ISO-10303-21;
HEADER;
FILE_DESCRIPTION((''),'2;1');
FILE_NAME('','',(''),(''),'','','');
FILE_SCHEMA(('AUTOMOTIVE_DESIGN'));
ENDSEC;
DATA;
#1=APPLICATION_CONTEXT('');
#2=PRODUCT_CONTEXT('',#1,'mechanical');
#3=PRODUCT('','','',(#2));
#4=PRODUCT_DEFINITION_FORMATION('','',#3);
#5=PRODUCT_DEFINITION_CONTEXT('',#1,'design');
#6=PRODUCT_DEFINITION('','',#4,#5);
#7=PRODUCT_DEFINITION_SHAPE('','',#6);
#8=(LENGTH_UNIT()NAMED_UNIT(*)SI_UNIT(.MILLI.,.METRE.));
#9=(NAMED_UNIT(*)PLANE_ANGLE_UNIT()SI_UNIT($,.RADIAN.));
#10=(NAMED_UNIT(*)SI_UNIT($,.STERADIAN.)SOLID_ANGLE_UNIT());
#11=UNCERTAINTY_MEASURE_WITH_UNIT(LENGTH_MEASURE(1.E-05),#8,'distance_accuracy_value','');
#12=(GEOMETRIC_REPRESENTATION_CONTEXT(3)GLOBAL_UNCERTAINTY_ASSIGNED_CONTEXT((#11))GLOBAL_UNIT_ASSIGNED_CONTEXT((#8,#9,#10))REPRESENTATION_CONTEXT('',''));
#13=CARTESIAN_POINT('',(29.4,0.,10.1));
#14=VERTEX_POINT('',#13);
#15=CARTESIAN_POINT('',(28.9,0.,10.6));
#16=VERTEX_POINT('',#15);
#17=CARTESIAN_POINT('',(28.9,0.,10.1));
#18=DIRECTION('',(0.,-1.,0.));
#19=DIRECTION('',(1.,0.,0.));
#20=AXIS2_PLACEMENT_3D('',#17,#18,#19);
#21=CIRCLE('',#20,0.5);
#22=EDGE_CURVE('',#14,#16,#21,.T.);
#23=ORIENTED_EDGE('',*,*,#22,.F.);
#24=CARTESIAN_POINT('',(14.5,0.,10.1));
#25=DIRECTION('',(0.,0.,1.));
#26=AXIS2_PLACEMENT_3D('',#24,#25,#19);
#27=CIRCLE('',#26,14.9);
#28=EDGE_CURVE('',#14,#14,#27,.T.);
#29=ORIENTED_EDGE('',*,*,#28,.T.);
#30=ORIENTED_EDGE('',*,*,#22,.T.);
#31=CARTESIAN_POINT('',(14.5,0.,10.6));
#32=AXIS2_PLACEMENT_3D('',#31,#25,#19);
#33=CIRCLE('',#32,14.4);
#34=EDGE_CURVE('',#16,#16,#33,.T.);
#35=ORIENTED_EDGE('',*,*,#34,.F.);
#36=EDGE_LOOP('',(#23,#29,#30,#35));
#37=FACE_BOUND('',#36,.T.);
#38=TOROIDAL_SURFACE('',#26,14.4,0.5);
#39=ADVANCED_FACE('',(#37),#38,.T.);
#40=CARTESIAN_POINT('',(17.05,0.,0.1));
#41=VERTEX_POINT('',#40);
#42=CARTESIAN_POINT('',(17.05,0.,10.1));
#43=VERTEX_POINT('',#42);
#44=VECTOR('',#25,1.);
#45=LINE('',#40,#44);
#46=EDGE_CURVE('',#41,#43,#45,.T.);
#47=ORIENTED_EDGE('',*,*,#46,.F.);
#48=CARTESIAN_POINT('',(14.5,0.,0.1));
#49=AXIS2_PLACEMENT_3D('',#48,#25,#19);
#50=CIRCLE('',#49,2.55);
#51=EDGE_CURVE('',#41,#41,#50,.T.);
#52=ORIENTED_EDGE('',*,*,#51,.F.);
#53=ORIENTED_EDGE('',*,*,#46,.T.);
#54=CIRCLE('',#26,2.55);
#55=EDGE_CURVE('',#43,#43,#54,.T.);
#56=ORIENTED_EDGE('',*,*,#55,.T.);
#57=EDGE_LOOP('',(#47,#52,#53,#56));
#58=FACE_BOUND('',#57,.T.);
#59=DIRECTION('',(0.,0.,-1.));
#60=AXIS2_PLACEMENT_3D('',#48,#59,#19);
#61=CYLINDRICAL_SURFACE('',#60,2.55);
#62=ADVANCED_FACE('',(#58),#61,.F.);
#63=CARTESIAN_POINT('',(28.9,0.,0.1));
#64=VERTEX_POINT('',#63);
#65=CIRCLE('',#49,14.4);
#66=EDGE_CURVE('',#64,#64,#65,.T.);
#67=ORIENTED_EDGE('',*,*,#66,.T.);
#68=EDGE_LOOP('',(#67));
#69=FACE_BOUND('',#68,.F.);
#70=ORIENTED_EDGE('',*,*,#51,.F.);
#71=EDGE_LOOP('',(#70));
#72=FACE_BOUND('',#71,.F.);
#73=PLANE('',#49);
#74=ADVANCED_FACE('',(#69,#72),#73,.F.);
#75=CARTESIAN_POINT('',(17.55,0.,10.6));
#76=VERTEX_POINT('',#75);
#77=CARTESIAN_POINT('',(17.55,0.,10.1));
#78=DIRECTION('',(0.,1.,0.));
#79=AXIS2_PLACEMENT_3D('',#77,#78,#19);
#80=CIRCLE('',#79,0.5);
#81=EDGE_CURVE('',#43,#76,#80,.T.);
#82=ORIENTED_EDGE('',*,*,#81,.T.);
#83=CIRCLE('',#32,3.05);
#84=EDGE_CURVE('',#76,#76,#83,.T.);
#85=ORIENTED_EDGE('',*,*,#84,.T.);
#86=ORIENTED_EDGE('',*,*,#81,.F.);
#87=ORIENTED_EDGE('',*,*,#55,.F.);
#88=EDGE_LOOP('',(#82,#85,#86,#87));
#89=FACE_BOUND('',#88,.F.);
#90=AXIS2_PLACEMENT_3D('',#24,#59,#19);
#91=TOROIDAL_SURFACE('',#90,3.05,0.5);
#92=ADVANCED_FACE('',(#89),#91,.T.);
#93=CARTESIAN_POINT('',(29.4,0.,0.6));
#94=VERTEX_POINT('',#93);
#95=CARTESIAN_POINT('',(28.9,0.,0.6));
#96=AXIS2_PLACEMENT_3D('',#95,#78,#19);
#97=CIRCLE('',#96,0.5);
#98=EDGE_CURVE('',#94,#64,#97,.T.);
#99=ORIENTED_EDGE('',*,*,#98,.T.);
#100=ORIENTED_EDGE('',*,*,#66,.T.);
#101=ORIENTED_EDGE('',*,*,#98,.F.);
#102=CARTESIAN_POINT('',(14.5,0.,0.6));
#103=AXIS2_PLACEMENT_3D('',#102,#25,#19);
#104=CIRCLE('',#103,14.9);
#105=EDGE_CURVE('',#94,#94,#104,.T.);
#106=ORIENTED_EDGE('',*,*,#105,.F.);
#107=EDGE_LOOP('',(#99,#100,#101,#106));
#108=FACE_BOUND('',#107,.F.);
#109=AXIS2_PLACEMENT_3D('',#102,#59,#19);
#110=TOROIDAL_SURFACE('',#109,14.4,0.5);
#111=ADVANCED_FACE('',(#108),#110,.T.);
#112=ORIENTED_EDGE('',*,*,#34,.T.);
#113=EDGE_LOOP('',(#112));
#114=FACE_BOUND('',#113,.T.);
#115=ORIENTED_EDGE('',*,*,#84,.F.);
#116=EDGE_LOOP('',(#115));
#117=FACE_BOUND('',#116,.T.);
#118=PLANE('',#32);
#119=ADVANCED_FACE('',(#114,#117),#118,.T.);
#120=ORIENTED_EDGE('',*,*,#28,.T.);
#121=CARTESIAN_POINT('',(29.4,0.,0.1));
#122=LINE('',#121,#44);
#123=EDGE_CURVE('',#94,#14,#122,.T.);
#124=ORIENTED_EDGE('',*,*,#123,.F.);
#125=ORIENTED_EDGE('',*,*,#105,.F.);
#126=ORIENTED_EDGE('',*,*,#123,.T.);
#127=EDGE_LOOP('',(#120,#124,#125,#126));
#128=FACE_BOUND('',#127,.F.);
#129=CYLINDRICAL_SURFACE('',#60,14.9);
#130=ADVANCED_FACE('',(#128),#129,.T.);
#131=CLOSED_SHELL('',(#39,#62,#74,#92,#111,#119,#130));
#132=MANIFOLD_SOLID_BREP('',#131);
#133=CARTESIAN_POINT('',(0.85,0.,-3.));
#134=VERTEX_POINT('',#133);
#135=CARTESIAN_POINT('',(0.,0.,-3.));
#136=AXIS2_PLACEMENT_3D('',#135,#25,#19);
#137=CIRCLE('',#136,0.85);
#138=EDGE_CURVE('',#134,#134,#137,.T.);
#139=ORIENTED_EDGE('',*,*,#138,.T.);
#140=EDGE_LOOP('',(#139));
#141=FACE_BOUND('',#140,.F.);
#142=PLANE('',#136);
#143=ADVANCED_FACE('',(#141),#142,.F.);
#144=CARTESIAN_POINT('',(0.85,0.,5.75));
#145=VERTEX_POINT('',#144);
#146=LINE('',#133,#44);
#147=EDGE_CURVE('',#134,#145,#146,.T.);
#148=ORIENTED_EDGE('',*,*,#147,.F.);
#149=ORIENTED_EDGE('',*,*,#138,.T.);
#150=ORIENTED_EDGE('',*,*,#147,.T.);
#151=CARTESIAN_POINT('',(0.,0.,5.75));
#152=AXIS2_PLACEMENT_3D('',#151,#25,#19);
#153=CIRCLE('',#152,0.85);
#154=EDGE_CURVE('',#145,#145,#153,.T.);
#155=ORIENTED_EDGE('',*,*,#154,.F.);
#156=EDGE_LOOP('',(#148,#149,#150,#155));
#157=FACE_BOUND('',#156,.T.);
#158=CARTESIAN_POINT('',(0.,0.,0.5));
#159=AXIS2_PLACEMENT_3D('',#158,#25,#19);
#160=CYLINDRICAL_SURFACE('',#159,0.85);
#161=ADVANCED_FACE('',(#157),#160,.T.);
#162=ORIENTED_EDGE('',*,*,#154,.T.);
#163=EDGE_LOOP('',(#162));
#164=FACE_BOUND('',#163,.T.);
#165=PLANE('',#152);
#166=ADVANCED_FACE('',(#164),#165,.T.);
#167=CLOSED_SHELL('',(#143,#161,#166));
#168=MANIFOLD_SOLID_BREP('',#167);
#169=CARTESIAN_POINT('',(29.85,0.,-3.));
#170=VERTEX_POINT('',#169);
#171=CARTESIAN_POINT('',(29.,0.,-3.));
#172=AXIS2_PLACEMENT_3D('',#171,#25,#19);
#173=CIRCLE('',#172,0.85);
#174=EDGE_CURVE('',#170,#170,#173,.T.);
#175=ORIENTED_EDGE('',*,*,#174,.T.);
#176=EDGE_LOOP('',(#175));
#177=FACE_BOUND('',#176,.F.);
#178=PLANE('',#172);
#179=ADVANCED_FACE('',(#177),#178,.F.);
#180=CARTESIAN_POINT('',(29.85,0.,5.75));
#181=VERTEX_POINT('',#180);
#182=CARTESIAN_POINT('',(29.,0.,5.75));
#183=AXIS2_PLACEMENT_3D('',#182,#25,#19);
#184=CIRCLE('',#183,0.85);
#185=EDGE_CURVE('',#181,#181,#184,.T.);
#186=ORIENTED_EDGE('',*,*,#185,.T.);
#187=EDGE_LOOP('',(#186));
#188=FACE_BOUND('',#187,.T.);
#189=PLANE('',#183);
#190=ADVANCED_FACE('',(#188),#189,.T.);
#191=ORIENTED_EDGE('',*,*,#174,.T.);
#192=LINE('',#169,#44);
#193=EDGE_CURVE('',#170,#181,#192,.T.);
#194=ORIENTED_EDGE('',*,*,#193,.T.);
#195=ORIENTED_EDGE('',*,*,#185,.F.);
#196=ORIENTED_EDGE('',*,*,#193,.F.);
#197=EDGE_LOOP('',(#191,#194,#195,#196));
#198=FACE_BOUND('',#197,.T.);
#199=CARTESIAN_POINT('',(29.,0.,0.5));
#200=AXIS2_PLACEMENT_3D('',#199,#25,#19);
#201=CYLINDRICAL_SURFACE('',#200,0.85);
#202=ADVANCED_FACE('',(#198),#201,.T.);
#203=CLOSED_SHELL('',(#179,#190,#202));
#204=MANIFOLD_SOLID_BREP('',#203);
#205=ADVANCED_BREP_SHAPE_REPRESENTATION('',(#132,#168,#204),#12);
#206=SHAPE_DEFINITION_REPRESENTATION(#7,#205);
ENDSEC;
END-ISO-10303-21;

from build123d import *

# Parameters (mm, degrees)
SKETCH001_R       = 0.85
PAD001_DEPTH      = 5.25
PAD001_DEPTH_BACK = 3.5
SKETCH_R          = 14.9
SKETCH_R_2        = 2.55
PAD_DEPTH         = 10.5
FILLET_R          = 0.5


with BuildPart() as pad001:
    # Sketch001 → Pad001 (new body, two sides)
    with BuildSketch(Plane.XY.offset(0.5)) as pad001_sk:
        Circle(SKETCH001_R)
        with Locations((29, 0)):
            Circle(SKETCH001_R)
    extrude(amount=PAD001_DEPTH)
    extrude(pad001_sk.sketch, amount=-PAD001_DEPTH_BACK)


with BuildPart() as fillet_body:
    # Sketch → Pad (new body)
    with BuildSketch(Plane.XY.offset(0.1)):
        with Locations((14.5, 0)):
            Circle(SKETCH_R)
        with Locations((14.5, 0)):
            Circle(SKETCH_R_2, mode=Mode.SUBTRACT)
    extrude(amount=PAD_DEPTH)

    # Fillet
    fillet_edges = [fillet_body.edges().sort_by_distance(p)[0] for p in [
        (11.95, 0, 10.6),
        (-0.4, 0, 10.6),
        (-0.4, 0, 0.1),
    ]]
    fillet(fillet_edges, radius=FILLET_R)


solid = Compound([pad001.part, fillet_body.part])
